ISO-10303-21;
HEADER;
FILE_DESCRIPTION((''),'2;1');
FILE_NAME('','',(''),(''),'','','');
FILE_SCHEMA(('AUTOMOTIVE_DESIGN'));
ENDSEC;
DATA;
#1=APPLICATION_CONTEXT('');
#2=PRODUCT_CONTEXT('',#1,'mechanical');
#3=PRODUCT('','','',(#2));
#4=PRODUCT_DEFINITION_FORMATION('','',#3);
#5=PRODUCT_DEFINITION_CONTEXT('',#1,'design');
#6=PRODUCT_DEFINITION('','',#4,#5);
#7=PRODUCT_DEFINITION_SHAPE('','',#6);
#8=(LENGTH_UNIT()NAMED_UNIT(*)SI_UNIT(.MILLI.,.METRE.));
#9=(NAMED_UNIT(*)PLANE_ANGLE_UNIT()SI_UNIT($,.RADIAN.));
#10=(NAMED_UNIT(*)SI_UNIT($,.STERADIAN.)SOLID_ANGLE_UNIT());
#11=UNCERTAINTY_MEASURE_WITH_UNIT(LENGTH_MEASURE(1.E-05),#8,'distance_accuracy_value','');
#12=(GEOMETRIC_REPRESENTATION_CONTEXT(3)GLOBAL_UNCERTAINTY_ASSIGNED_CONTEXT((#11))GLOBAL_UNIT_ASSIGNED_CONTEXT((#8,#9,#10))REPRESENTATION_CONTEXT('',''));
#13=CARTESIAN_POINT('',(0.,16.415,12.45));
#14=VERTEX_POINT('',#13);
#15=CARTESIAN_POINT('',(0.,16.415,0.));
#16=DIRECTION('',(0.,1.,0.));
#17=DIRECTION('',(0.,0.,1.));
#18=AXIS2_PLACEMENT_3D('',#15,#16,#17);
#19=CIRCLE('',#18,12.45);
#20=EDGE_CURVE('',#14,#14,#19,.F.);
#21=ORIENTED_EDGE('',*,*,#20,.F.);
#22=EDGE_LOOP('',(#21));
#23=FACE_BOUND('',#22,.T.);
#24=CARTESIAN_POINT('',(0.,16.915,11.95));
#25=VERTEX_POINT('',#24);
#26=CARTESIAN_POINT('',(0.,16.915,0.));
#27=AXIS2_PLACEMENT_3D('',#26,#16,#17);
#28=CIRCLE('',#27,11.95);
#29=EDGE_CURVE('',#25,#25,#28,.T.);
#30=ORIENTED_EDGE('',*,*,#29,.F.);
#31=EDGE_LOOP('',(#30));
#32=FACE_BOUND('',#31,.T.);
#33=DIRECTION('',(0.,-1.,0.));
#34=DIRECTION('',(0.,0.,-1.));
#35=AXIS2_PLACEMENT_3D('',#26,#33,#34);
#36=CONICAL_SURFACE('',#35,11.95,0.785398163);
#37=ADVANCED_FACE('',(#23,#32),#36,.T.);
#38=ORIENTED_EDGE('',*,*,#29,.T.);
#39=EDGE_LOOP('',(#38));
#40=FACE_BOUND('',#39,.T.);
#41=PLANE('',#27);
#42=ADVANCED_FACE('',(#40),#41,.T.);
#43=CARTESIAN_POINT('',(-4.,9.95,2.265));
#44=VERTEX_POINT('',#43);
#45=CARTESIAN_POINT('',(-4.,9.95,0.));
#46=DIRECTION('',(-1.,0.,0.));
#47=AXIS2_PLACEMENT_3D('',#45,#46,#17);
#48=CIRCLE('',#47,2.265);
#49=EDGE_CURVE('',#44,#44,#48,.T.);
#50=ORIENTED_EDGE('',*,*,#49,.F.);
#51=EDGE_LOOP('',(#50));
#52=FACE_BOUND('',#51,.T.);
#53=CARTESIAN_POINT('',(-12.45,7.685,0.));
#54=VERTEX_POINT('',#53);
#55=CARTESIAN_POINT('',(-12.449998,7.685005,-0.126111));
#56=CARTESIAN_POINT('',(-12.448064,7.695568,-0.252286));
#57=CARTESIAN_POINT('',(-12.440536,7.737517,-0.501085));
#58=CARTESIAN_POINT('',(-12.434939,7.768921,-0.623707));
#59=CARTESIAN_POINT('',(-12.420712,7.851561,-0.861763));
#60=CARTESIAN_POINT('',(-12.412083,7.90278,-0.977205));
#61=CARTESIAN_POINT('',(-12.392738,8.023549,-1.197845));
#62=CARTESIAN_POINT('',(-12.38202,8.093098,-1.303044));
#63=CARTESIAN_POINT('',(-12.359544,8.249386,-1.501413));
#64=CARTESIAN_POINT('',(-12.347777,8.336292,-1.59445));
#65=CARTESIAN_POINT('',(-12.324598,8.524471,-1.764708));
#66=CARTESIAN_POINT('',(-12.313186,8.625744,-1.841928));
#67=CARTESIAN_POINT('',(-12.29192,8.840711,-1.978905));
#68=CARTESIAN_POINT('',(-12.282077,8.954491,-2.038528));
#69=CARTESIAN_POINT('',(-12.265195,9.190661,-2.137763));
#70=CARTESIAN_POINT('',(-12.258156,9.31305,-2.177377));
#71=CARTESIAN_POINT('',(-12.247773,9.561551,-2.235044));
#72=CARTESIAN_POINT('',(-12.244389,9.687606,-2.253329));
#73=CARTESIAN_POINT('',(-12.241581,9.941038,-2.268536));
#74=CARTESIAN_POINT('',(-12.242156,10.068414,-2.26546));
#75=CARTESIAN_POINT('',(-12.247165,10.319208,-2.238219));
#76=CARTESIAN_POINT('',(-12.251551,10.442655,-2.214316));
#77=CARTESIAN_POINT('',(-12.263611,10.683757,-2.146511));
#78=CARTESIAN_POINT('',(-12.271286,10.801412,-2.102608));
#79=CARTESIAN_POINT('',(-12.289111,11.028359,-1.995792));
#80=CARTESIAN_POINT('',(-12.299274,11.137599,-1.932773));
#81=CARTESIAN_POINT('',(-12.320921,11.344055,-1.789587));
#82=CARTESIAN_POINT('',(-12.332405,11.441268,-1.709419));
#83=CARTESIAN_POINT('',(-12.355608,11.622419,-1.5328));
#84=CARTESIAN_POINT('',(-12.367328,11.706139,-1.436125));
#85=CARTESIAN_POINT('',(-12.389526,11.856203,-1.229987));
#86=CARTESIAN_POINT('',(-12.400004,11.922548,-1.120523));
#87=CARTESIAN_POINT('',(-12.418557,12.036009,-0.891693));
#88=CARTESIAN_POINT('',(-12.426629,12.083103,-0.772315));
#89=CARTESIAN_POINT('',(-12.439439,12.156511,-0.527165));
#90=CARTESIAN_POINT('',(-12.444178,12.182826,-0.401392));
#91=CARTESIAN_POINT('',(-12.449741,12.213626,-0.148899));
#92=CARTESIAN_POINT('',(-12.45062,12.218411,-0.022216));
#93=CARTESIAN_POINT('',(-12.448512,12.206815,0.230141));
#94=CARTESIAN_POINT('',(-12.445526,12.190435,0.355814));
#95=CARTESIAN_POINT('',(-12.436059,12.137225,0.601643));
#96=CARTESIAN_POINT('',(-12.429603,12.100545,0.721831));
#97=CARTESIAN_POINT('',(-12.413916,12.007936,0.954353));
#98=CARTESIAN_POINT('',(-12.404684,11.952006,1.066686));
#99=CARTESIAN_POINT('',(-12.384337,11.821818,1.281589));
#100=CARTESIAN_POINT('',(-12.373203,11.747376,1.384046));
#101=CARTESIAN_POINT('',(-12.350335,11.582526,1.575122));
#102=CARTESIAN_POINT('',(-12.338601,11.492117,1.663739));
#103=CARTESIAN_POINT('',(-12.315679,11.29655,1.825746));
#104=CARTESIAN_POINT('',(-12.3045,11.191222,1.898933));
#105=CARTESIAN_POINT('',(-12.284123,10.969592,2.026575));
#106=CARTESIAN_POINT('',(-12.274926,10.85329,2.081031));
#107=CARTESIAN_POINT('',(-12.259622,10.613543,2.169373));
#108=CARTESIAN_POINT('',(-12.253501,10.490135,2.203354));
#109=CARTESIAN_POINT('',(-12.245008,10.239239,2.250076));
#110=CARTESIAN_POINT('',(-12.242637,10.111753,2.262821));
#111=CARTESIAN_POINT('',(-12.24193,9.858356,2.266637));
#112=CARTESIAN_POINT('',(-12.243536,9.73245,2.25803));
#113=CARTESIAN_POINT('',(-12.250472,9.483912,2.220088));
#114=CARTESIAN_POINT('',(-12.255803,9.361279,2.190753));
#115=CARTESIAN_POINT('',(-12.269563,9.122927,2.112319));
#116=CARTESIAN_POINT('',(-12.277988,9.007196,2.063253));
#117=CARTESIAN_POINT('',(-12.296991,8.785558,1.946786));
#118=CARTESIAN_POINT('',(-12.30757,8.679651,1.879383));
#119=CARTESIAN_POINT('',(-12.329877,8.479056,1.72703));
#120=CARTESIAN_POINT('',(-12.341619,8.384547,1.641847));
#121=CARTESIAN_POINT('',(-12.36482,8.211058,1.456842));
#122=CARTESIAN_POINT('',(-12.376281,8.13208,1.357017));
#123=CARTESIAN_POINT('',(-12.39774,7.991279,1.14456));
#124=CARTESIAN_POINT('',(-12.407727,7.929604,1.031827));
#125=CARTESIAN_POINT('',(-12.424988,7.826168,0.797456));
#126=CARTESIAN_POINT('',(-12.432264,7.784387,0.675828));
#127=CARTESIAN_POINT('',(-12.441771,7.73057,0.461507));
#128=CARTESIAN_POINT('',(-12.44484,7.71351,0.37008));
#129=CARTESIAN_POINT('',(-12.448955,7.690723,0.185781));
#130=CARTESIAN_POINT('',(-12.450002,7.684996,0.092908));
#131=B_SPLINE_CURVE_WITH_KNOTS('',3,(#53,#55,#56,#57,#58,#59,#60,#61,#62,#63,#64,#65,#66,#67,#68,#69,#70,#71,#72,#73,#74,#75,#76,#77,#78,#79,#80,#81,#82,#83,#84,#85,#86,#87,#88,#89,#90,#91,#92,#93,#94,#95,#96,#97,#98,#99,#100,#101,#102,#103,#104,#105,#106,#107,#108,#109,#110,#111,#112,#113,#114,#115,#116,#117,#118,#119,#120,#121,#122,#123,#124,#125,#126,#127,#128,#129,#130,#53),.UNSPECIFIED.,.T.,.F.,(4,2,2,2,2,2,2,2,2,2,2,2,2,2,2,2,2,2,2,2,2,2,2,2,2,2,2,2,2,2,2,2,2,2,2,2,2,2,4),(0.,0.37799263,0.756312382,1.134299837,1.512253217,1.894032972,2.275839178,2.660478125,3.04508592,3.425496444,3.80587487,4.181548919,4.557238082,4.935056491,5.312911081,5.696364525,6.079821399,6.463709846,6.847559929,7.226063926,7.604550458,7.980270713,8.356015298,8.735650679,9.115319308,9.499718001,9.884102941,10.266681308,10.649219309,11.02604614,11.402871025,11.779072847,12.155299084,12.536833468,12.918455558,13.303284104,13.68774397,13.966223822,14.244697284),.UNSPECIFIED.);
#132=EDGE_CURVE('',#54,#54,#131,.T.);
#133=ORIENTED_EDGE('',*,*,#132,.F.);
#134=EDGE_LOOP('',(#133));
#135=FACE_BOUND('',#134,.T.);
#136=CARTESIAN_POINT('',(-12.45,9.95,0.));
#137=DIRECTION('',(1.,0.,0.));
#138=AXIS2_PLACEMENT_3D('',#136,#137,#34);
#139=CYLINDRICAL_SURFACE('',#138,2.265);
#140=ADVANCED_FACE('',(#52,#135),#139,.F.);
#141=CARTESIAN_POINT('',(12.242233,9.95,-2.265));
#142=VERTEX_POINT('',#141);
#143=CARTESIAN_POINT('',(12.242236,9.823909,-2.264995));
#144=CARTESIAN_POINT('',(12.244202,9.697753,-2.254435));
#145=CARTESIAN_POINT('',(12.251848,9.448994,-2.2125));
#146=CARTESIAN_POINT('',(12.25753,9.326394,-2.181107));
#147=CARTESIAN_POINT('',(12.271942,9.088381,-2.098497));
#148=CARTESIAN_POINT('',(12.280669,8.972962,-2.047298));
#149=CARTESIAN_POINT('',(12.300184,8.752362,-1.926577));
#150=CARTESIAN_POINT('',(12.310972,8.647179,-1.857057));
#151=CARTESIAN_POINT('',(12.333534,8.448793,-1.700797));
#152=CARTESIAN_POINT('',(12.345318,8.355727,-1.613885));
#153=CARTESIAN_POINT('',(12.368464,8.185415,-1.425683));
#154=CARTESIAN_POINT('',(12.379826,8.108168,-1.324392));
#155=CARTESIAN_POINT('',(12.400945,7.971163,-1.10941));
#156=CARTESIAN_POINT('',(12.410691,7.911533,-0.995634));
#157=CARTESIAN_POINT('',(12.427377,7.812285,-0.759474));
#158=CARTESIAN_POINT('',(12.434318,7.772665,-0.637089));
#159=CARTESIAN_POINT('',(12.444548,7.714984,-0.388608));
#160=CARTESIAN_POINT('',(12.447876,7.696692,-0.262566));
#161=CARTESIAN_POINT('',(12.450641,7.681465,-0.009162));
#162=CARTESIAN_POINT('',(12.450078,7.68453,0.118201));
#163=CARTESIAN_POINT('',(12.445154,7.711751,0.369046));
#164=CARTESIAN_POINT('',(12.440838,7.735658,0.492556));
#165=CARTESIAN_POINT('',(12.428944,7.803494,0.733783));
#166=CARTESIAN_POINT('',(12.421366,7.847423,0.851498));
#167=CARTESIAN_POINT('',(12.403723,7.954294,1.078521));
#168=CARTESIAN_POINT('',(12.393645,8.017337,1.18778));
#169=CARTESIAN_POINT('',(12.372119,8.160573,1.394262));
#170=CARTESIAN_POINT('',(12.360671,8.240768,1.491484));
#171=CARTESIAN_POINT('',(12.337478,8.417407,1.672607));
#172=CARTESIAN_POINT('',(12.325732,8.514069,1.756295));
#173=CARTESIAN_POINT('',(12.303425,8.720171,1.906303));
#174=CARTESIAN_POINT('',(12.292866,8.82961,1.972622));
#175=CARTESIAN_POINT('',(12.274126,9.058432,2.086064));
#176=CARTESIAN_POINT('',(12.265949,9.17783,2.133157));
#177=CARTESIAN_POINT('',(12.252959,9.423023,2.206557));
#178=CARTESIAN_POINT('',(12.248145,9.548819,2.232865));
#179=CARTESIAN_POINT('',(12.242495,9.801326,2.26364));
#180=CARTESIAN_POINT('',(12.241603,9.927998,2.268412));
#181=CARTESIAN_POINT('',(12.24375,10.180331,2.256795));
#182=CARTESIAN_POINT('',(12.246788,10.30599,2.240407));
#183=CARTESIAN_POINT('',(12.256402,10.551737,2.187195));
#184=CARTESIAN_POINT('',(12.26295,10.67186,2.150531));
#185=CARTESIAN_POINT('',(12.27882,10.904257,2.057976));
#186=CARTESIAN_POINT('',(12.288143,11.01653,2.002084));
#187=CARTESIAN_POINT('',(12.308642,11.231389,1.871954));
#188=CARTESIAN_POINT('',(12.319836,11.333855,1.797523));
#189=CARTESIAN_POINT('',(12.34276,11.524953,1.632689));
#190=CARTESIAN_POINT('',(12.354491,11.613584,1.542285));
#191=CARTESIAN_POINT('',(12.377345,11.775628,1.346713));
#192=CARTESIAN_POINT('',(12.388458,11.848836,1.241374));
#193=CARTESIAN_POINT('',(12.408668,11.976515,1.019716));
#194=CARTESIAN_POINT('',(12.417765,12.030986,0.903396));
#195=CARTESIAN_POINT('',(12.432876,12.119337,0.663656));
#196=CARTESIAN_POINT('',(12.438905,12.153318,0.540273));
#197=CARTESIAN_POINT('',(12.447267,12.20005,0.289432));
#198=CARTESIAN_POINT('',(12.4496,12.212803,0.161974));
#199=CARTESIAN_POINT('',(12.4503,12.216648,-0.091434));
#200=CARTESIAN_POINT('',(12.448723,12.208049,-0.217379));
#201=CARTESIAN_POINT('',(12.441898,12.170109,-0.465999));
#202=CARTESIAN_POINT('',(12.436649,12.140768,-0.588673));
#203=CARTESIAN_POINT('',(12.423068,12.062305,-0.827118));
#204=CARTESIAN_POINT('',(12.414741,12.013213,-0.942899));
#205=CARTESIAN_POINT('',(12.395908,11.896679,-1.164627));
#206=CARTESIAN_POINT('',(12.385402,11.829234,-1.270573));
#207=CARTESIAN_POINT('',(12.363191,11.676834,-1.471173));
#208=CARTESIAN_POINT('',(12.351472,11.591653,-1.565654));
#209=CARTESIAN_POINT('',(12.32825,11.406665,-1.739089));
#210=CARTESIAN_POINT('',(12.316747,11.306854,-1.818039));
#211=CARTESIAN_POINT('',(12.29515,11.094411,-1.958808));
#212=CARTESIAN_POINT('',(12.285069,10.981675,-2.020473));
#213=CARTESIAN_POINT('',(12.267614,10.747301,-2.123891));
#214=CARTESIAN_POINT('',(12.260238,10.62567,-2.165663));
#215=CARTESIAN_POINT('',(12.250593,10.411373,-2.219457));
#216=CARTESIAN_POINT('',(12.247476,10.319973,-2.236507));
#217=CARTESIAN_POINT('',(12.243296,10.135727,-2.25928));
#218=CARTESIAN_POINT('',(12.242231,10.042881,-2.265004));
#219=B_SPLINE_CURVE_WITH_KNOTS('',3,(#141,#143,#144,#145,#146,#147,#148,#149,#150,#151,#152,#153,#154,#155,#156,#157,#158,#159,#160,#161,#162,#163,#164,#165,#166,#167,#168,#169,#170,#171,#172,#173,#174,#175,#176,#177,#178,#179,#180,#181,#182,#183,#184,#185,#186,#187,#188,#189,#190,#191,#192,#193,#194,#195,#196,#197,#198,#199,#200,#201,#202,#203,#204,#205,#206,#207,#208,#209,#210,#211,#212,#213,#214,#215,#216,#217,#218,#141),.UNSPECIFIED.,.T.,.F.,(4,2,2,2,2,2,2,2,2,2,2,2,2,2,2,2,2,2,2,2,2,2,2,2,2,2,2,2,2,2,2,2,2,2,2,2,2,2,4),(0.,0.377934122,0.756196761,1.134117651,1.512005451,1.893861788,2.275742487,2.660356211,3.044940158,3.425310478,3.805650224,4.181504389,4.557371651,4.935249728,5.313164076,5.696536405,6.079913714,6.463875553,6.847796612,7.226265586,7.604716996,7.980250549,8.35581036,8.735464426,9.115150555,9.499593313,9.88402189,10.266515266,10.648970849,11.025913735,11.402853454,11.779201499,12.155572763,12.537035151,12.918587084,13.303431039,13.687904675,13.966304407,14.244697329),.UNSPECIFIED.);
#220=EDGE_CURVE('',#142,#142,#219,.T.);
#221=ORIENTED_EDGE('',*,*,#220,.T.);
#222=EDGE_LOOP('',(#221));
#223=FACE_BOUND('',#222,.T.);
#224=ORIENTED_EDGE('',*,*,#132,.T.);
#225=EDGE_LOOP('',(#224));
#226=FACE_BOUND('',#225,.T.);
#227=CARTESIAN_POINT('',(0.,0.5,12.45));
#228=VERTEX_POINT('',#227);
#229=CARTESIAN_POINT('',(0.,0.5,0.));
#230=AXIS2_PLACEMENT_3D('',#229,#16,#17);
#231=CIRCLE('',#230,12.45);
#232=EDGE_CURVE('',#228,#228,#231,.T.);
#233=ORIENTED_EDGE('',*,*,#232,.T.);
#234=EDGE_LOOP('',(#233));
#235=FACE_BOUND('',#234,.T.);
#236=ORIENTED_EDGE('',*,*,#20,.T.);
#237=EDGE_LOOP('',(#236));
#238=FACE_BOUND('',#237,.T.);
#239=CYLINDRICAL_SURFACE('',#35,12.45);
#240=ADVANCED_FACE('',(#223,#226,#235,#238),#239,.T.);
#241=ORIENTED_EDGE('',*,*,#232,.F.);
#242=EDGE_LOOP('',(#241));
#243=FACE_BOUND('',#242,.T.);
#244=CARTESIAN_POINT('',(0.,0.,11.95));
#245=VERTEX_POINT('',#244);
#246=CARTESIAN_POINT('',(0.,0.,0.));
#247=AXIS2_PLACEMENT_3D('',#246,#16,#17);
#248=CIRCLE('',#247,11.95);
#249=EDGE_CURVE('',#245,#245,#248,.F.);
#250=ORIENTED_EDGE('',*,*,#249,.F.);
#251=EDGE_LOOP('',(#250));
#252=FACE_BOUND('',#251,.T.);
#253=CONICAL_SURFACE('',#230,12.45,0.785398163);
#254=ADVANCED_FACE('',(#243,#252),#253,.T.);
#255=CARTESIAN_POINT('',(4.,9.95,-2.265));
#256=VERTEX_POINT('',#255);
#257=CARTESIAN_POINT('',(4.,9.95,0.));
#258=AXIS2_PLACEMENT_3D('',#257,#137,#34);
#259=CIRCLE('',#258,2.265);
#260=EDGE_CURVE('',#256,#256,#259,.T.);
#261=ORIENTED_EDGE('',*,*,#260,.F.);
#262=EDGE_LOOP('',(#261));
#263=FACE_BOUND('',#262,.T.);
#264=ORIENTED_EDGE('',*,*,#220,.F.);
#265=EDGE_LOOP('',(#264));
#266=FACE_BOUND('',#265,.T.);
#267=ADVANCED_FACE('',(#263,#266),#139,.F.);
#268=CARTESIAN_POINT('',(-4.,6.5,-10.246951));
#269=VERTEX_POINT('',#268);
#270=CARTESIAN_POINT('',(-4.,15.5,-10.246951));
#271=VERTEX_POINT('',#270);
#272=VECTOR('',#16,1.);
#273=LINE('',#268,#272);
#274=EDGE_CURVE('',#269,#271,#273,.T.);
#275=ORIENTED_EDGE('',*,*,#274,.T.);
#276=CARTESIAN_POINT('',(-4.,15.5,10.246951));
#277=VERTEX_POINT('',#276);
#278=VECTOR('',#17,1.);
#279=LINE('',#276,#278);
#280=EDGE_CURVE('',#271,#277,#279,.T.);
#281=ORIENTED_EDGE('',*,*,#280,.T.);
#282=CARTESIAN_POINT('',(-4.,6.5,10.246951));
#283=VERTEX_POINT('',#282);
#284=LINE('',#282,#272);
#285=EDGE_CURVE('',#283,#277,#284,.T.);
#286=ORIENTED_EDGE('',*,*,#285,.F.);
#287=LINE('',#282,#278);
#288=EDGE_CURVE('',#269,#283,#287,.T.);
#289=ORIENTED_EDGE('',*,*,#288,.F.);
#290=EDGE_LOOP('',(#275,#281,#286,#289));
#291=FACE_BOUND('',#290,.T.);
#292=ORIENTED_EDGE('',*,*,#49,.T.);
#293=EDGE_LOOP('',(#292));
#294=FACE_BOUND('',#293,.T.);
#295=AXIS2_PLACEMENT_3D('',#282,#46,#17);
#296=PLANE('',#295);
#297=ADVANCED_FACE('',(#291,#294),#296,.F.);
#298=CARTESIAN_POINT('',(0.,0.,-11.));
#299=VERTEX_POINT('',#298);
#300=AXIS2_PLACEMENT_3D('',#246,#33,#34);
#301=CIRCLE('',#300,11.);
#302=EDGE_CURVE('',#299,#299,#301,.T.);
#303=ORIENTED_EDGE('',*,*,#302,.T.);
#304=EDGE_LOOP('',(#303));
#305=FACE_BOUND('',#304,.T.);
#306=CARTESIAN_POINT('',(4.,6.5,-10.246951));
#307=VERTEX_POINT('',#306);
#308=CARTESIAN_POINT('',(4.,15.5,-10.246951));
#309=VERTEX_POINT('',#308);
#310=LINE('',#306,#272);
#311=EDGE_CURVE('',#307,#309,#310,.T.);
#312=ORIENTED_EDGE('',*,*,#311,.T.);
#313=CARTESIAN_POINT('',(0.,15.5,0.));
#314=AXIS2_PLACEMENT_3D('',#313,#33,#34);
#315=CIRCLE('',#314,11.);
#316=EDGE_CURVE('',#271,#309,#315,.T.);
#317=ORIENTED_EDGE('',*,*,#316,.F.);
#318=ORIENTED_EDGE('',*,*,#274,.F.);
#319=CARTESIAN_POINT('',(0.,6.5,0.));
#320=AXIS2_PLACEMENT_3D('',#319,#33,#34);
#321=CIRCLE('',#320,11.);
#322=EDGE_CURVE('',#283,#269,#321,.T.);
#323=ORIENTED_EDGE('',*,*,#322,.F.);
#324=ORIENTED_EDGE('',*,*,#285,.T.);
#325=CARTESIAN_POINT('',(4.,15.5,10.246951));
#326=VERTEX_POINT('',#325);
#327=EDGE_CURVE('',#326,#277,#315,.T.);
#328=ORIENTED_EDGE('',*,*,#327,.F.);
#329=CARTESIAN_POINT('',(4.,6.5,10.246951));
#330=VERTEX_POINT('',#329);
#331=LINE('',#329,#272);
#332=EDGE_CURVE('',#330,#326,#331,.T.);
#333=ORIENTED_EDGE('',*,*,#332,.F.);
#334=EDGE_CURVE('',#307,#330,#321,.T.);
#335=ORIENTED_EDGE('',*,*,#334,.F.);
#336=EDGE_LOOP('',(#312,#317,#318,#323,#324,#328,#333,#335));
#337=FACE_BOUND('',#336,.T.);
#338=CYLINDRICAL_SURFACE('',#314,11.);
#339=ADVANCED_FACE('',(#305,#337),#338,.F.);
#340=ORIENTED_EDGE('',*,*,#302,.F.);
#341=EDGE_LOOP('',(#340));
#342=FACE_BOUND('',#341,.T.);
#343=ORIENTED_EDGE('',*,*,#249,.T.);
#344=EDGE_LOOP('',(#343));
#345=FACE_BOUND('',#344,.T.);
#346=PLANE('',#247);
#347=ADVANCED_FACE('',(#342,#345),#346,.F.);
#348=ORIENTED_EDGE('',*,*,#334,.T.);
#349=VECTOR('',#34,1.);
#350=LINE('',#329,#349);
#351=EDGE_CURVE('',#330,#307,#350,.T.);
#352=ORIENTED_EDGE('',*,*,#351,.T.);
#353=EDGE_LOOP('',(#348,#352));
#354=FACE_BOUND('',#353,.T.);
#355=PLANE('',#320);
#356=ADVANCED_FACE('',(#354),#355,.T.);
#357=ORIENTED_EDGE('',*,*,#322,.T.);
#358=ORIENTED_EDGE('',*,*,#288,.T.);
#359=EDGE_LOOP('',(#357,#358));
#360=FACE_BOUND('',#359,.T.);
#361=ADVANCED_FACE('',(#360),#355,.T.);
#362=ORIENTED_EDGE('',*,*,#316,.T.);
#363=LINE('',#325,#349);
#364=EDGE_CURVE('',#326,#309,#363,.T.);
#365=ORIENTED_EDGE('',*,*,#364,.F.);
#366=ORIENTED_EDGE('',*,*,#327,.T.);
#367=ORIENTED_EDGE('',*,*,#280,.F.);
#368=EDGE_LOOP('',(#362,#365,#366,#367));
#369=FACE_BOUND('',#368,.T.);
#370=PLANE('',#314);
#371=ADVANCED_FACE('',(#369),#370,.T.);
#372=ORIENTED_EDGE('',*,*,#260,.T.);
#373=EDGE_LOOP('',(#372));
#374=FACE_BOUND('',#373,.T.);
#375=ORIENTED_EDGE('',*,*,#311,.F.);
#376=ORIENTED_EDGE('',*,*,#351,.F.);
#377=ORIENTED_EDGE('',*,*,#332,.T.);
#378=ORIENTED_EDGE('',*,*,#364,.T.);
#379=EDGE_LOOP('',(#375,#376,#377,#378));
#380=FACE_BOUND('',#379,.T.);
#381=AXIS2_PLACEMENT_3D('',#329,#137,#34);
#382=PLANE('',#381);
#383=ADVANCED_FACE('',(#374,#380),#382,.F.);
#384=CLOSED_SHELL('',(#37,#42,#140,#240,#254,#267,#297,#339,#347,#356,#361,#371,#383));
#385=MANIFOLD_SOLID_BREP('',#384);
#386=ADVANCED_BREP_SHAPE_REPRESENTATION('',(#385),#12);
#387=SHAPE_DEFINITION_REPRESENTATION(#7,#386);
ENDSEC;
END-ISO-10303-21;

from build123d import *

# Parameters (mm, degrees)
SKETCH2_R           = 12.45
BOSS_EXTRUDE1_DEPTH = 16.915
SKETCH6_R           = 11
CUT_EXTRUDE2_DEPTH  = 15.5
BOSS_EXTRUDE2_START = 9
BOSS_EXTRUDE2_DEPTH = 9
SKETCH5_R           = 2.265
CUT_EXTRUDE1_DEPTH  = 33.574986186
CHAMFER1_SIZE       = 0.5
CHAMFER2_SIZE       = 0.5


with BuildPart() as part:
    # Sketch2 → Boss-Extrude1 (new body)
    with BuildSketch(Plane(origin=(0, 0, 0), x_dir=(1, 0, 0), z_dir=(0, 1, 0))):
        with Locations(Location((0, 0, 0), (0, 0, 270))):
            Circle(SKETCH2_R)
    extrude(amount=BOSS_EXTRUDE1_DEPTH)

    # Sketch6 → Cut-Extrude2 (cut)
    with BuildSketch(Plane.XZ):
        with Locations(Location((0, 0, 0), (0, 0, 270))):
            Circle(SKETCH6_R)
    extrude(amount=-CUT_EXTRUDE2_DEPTH, mode=Mode.SUBTRACT)

    # Sketch7 → Boss-Extrude2 (add)
    with BuildSketch(Plane.XZ.offset(-15.5).offset(BOSS_EXTRUDE2_START)):
        with BuildLine():
            Line((-4, 10.246950766), (-4, -10.246950766))
            ThreePointArc((-4, -10.246950766), (-11, 0), (-4, 10.246950766))
        make_face()
        with BuildLine():
            Line((4, 10.246950766), (4, -10.246950766))
            ThreePointArc((4, -10.246950766), (11, 0), (4, 10.246950766))
        make_face()
    extrude(amount=-BOSS_EXTRUDE2_DEPTH)

    # Sketch5 → Cut-Extrude1 (cut, through all)
    with BuildSketch(Plane(origin=(12.45, 0, 0), x_dir=(0, 0, -1), z_dir=(1, 0, 0))):
        with Locations((0, 9.95)):
            Circle(SKETCH5_R)
    extrude(amount=-CUT_EXTRUDE1_DEPTH, mode=Mode.SUBTRACT)

    # Chamfer1
    chamfer1_edges = [part.edges().sort_by_distance(p)[0] for p in [
        (0, 16.915, -12.45),
    ]]
    chamfer(chamfer1_edges, length=CHAMFER1_SIZE)

    # Chamfer2
    chamfer2_edges = [part.edges().sort_by_distance(p)[0] for p in [
        (0, 0, -12.45),
    ]]
    chamfer(chamfer2_edges, length=CHAMFER2_SIZE)


solid = part.part
